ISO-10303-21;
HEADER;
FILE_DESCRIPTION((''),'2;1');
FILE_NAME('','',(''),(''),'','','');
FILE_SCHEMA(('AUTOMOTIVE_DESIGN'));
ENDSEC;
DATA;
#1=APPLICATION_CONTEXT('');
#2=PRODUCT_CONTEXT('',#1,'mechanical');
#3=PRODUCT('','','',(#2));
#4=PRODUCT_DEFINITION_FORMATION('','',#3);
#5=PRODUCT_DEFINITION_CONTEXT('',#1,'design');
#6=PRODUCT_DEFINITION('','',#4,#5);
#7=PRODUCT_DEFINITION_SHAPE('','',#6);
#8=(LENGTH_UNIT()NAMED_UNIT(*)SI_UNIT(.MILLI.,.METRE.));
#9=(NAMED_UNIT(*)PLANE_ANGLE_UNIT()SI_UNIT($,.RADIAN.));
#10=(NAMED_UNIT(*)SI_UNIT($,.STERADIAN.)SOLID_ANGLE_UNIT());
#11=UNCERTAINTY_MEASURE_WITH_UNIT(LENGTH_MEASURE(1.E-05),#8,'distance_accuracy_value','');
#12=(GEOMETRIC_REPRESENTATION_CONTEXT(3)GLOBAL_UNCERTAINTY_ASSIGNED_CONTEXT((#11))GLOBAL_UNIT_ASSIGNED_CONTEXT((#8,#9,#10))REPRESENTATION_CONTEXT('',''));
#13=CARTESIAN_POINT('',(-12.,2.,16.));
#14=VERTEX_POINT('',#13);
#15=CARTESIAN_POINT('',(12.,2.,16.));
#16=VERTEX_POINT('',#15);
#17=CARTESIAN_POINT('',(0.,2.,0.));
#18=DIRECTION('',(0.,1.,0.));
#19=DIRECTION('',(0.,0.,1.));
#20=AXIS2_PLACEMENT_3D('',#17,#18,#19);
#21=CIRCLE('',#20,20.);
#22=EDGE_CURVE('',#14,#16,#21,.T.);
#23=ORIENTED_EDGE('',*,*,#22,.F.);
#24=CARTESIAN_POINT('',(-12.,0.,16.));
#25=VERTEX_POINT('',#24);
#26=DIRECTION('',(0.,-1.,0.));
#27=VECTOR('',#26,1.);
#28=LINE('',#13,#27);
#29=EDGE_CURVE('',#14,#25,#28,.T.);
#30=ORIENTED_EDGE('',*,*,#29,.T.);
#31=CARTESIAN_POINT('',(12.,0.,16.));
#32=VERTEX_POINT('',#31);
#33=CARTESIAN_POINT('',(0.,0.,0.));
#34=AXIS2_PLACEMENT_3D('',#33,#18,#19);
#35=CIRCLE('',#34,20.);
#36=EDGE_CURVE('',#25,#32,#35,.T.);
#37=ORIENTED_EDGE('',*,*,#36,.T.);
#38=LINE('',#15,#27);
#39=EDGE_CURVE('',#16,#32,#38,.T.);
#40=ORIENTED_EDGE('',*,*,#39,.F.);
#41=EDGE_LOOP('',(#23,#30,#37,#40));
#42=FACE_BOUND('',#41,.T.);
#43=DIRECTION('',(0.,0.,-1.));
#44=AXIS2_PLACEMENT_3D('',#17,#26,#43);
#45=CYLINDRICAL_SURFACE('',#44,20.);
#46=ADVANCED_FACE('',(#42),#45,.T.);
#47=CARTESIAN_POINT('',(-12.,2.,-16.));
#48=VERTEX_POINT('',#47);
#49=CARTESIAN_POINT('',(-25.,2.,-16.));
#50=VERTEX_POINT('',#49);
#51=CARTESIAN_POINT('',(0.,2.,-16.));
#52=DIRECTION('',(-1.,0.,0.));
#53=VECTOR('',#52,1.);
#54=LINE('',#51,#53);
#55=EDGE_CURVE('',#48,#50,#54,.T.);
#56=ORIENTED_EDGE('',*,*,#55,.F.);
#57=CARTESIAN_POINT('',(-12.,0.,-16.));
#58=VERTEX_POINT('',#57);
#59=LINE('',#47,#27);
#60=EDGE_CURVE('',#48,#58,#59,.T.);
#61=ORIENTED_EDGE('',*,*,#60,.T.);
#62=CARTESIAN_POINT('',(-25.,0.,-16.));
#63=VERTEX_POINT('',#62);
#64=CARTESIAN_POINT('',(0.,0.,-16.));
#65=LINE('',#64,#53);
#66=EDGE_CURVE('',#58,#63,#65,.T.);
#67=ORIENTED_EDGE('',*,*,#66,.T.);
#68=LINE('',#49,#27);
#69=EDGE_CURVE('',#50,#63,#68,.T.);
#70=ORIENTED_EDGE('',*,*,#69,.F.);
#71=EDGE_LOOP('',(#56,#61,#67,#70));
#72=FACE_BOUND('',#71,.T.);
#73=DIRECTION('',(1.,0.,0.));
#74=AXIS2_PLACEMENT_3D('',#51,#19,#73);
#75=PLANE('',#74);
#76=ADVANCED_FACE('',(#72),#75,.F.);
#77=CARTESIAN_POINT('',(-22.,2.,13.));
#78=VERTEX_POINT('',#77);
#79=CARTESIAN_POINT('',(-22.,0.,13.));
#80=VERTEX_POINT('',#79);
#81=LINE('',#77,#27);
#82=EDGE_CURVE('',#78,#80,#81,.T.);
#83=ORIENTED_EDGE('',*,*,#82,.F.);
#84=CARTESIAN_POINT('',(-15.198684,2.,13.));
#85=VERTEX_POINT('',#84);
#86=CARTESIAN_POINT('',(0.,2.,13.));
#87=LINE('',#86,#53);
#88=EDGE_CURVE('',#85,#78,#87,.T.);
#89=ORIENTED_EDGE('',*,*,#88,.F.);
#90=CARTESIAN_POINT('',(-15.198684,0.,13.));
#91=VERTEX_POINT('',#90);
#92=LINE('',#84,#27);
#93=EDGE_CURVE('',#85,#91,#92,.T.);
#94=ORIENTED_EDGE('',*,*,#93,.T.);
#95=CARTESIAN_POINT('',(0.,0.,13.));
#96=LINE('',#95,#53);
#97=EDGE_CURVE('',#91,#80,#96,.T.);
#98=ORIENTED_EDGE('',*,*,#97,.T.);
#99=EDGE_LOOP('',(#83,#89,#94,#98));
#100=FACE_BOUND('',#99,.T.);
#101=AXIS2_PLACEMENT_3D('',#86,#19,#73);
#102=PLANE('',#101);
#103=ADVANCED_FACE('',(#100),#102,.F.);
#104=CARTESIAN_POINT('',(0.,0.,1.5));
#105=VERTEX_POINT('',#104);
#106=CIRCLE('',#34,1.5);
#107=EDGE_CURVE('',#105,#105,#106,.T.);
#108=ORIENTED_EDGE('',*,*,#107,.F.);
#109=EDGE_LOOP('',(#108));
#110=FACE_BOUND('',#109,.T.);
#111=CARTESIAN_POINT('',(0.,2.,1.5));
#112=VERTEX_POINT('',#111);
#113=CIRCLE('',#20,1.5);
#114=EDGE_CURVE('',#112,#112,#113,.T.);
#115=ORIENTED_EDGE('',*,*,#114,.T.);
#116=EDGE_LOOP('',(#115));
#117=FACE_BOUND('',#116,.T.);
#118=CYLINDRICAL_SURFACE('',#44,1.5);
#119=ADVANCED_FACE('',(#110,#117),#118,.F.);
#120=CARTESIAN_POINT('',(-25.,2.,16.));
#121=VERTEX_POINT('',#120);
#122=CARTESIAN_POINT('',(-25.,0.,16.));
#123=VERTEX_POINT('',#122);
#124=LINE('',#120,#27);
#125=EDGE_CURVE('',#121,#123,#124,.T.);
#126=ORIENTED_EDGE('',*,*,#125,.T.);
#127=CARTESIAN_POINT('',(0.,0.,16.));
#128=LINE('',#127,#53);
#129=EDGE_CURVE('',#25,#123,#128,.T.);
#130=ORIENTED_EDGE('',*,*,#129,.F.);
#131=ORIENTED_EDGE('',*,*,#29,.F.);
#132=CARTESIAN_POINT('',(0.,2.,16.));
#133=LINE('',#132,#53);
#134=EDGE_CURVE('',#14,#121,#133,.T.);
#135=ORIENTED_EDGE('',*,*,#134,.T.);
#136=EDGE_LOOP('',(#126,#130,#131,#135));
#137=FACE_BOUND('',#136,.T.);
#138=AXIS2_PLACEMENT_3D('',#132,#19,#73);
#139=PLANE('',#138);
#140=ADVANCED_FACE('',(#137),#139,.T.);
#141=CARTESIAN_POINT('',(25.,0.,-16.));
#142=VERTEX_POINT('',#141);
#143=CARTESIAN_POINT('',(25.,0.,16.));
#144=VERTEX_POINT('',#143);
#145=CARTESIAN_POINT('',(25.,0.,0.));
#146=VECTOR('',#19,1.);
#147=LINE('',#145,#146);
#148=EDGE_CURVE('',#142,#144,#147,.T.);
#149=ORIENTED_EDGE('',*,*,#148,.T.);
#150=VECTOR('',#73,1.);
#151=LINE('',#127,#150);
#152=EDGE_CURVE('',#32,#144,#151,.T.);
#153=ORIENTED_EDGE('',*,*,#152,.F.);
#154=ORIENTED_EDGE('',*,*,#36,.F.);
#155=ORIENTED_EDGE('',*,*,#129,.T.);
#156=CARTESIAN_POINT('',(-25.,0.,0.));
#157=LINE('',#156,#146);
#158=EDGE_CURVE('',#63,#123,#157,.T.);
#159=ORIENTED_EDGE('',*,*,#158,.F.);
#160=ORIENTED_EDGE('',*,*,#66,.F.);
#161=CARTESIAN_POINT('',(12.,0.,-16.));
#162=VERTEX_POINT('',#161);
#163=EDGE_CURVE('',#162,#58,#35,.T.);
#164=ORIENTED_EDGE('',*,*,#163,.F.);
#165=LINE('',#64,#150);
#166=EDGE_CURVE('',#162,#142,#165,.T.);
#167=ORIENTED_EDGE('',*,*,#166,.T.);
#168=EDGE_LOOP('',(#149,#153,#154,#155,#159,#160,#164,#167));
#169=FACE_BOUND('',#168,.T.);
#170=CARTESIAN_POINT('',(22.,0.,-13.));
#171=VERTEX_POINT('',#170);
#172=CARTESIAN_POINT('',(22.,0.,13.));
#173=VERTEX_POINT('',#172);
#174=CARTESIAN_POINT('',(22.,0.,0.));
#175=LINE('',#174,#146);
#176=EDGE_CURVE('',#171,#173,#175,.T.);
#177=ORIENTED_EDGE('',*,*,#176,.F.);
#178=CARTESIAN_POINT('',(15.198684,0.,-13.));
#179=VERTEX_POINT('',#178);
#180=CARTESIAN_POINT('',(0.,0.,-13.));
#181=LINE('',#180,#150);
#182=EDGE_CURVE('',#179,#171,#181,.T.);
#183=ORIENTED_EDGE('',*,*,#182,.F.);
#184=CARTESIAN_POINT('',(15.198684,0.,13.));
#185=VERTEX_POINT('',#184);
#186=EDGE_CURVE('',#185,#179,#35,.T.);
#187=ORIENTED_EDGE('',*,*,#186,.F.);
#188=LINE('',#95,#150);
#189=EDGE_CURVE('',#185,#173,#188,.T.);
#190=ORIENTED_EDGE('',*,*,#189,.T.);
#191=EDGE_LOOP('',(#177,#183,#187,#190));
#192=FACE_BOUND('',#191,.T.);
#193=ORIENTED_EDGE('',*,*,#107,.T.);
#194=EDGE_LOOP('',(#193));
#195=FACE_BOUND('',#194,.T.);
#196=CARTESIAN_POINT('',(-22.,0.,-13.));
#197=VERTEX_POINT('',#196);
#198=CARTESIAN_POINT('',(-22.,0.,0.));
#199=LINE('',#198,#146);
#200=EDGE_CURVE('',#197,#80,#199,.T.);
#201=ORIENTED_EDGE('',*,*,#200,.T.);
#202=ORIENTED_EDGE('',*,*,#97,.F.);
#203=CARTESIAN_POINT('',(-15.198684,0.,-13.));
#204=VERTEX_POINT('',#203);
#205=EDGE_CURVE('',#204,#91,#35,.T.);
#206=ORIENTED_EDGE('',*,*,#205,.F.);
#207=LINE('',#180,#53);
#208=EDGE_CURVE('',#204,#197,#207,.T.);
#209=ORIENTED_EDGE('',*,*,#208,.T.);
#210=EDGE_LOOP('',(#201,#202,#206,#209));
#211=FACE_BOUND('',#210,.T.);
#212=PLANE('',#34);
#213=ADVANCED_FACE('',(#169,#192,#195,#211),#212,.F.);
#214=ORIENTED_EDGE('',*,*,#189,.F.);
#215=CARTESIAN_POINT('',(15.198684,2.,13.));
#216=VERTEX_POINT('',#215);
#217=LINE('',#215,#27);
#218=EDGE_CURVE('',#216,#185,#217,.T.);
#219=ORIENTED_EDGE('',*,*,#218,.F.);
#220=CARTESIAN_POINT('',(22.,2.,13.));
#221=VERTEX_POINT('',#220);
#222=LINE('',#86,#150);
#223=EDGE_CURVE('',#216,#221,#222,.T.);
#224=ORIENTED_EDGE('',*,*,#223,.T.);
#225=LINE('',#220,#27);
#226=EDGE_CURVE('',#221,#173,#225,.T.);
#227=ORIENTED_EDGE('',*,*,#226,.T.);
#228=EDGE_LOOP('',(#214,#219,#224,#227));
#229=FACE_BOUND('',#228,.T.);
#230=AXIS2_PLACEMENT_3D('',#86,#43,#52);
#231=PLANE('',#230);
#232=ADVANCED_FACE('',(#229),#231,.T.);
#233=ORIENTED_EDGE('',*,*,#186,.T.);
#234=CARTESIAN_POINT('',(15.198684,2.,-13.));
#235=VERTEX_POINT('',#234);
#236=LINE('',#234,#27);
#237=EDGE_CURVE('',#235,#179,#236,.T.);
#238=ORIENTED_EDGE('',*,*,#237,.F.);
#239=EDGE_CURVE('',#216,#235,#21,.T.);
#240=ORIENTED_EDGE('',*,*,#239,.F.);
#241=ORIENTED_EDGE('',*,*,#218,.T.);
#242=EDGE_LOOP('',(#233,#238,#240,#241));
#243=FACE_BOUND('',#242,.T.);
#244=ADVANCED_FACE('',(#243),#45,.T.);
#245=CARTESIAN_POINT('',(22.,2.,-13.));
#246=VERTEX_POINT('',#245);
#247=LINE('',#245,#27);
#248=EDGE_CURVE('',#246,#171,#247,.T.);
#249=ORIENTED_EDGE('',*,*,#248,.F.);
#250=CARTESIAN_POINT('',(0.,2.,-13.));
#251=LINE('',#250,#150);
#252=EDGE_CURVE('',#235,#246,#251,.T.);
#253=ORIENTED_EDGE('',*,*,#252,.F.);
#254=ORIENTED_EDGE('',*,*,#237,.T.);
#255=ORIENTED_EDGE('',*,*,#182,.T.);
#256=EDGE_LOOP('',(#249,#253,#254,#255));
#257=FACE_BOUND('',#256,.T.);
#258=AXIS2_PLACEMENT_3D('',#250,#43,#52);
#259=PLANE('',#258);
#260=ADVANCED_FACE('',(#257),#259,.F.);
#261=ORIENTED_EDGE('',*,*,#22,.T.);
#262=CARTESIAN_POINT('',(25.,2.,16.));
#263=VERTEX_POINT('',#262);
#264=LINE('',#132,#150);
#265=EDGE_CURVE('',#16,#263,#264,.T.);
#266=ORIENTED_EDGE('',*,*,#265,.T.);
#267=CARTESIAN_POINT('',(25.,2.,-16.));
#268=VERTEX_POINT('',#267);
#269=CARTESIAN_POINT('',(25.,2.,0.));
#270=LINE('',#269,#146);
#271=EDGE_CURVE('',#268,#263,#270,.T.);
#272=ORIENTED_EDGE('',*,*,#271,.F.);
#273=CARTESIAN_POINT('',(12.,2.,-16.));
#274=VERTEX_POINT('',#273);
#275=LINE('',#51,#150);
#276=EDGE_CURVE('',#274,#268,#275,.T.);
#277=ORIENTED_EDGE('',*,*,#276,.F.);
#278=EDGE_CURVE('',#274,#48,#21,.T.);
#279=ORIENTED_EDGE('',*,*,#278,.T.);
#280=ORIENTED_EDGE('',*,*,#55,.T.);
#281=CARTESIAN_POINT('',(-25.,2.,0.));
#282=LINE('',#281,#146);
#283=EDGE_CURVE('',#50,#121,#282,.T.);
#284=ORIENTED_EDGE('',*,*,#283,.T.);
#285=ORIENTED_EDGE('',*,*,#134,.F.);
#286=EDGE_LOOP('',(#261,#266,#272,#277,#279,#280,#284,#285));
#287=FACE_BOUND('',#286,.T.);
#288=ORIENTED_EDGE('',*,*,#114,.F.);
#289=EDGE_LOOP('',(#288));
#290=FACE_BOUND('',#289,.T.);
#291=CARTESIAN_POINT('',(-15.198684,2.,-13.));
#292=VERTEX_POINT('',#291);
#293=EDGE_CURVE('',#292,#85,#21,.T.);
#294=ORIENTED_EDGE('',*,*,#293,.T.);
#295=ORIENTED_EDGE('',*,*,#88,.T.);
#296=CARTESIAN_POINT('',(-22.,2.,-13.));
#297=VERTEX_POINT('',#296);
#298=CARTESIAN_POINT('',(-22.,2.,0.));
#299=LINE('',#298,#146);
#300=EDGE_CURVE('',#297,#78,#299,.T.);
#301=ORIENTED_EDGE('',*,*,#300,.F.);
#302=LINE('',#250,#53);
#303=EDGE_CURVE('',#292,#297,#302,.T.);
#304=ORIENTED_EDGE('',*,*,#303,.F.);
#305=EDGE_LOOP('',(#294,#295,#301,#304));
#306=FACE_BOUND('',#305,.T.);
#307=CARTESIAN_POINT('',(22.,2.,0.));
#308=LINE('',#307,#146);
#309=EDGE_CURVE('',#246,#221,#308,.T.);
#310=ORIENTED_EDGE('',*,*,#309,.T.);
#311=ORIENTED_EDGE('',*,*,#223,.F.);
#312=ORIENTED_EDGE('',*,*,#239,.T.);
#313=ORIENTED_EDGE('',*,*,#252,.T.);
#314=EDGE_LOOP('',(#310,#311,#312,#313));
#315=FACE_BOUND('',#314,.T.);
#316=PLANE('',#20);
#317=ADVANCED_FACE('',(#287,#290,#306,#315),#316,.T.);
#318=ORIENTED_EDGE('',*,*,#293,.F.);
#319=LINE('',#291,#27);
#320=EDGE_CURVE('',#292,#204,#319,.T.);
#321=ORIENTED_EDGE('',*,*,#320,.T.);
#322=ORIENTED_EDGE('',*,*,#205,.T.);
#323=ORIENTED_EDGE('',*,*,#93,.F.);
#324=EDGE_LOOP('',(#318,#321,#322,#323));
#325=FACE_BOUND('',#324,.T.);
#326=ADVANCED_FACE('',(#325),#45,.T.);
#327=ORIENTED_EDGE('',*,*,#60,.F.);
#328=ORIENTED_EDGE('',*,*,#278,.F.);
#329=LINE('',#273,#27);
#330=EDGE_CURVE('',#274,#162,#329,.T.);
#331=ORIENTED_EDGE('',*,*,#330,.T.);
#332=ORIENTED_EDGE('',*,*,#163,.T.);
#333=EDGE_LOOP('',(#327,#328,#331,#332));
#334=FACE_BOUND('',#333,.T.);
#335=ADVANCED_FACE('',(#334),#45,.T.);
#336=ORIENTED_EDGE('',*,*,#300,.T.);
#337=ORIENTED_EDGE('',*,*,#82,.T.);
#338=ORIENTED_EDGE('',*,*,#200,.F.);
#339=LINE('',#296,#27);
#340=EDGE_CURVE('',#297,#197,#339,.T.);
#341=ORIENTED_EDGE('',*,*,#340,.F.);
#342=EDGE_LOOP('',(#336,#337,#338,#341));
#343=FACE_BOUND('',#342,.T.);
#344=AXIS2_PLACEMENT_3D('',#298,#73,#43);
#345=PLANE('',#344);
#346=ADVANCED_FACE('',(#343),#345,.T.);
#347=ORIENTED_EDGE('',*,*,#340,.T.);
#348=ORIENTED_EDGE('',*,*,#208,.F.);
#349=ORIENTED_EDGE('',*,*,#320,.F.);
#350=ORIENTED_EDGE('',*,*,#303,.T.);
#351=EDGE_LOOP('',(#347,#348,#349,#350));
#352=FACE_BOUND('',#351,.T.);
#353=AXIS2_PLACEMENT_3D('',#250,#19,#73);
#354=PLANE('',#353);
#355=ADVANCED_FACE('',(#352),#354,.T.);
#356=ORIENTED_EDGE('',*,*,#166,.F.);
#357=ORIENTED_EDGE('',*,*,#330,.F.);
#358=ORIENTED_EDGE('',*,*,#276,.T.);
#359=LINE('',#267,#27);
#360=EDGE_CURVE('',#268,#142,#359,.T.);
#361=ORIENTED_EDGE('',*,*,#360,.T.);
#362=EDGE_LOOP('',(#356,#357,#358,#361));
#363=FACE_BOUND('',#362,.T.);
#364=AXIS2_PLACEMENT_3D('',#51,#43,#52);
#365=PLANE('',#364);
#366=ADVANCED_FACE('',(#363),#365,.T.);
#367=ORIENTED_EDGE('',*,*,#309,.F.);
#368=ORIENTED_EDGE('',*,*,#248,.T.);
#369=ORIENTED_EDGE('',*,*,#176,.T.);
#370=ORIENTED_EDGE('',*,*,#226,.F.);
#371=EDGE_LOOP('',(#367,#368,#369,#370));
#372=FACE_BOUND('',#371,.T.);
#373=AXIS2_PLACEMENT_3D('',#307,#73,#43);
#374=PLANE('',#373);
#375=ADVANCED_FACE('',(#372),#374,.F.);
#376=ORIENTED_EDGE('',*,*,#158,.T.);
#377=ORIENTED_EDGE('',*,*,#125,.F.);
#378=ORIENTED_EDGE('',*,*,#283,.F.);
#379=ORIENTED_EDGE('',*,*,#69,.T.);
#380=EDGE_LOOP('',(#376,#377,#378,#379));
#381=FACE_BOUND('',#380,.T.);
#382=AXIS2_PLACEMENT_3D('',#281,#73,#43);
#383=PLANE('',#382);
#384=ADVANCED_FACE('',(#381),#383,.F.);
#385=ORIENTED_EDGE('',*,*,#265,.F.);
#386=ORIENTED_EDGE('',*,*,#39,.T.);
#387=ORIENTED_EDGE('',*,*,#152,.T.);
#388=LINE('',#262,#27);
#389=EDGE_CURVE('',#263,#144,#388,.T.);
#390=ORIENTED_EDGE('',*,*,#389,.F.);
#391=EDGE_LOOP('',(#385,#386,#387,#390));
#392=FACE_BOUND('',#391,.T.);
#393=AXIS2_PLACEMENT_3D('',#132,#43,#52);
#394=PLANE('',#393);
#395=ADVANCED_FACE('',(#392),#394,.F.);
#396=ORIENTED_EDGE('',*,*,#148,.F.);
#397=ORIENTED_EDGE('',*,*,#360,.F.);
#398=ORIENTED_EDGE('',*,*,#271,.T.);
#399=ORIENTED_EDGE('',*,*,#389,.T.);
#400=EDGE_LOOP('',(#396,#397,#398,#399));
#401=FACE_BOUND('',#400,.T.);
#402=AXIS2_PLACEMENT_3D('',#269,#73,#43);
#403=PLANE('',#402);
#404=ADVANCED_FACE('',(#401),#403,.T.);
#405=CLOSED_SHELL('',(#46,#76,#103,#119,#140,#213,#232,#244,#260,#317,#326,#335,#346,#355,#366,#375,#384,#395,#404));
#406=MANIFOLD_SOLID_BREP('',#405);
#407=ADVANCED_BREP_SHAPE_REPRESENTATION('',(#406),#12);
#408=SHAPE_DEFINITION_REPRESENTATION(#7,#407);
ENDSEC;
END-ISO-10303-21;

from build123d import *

# Parameters (mm, degrees)
SKETCH1_R           = 1.5
BOSS_EXTRUDE1_DEPTH = 2


with BuildPart() as part:
    # Sketch1 → Boss-Extrude1 (new body)
    with BuildSketch(Plane(origin=(0, 0, 0), x_dir=(1, 0, 0), z_dir=(0, 1, 0))):
        with BuildLine():
            Line((-25, -16), (-12, -16))
            ThreePointArc((-12, -16), (0, -20), (12, -16))
            Line((12, -16), (25, -16))
            Line((25, -16), (25, 16))
            Line((25, 16), (12, 16))
            ThreePointArc((12, 16), (0, 20), (-12, 16))
            Line((-12, 16), (-25, 16))
            Line((-25, 16), (-25, -16))
        make_face()
        with BuildLine():
            Line((-22, 13), (-15.198684154, 13))
            ThreePointArc((-15.198684154, 13), (-20, 0), (-15.198684154, -13))
            Line((-15.198684154, -13), (-22, -13))
            Line((-22, -13), (-22, 13))
        make_face(mode=Mode.SUBTRACT)
        with BuildLine():
            ThreePointArc((15.198684154, -13), (20, 0), (15.198684154, 13))
            Line((15.198684154, 13), (22, 13))
            Line((22, 13), (22, -13))
            Line((22, -13), (15.198684154, -13))
        make_face(mode=Mode.SUBTRACT)
        with Locations(Location((0, 0, 0), (0, 0, 270))):
            Circle(SKETCH1_R, mode=Mode.SUBTRACT)
    extrude(amount=BOSS_EXTRUDE1_DEPTH)


solid = part.part
